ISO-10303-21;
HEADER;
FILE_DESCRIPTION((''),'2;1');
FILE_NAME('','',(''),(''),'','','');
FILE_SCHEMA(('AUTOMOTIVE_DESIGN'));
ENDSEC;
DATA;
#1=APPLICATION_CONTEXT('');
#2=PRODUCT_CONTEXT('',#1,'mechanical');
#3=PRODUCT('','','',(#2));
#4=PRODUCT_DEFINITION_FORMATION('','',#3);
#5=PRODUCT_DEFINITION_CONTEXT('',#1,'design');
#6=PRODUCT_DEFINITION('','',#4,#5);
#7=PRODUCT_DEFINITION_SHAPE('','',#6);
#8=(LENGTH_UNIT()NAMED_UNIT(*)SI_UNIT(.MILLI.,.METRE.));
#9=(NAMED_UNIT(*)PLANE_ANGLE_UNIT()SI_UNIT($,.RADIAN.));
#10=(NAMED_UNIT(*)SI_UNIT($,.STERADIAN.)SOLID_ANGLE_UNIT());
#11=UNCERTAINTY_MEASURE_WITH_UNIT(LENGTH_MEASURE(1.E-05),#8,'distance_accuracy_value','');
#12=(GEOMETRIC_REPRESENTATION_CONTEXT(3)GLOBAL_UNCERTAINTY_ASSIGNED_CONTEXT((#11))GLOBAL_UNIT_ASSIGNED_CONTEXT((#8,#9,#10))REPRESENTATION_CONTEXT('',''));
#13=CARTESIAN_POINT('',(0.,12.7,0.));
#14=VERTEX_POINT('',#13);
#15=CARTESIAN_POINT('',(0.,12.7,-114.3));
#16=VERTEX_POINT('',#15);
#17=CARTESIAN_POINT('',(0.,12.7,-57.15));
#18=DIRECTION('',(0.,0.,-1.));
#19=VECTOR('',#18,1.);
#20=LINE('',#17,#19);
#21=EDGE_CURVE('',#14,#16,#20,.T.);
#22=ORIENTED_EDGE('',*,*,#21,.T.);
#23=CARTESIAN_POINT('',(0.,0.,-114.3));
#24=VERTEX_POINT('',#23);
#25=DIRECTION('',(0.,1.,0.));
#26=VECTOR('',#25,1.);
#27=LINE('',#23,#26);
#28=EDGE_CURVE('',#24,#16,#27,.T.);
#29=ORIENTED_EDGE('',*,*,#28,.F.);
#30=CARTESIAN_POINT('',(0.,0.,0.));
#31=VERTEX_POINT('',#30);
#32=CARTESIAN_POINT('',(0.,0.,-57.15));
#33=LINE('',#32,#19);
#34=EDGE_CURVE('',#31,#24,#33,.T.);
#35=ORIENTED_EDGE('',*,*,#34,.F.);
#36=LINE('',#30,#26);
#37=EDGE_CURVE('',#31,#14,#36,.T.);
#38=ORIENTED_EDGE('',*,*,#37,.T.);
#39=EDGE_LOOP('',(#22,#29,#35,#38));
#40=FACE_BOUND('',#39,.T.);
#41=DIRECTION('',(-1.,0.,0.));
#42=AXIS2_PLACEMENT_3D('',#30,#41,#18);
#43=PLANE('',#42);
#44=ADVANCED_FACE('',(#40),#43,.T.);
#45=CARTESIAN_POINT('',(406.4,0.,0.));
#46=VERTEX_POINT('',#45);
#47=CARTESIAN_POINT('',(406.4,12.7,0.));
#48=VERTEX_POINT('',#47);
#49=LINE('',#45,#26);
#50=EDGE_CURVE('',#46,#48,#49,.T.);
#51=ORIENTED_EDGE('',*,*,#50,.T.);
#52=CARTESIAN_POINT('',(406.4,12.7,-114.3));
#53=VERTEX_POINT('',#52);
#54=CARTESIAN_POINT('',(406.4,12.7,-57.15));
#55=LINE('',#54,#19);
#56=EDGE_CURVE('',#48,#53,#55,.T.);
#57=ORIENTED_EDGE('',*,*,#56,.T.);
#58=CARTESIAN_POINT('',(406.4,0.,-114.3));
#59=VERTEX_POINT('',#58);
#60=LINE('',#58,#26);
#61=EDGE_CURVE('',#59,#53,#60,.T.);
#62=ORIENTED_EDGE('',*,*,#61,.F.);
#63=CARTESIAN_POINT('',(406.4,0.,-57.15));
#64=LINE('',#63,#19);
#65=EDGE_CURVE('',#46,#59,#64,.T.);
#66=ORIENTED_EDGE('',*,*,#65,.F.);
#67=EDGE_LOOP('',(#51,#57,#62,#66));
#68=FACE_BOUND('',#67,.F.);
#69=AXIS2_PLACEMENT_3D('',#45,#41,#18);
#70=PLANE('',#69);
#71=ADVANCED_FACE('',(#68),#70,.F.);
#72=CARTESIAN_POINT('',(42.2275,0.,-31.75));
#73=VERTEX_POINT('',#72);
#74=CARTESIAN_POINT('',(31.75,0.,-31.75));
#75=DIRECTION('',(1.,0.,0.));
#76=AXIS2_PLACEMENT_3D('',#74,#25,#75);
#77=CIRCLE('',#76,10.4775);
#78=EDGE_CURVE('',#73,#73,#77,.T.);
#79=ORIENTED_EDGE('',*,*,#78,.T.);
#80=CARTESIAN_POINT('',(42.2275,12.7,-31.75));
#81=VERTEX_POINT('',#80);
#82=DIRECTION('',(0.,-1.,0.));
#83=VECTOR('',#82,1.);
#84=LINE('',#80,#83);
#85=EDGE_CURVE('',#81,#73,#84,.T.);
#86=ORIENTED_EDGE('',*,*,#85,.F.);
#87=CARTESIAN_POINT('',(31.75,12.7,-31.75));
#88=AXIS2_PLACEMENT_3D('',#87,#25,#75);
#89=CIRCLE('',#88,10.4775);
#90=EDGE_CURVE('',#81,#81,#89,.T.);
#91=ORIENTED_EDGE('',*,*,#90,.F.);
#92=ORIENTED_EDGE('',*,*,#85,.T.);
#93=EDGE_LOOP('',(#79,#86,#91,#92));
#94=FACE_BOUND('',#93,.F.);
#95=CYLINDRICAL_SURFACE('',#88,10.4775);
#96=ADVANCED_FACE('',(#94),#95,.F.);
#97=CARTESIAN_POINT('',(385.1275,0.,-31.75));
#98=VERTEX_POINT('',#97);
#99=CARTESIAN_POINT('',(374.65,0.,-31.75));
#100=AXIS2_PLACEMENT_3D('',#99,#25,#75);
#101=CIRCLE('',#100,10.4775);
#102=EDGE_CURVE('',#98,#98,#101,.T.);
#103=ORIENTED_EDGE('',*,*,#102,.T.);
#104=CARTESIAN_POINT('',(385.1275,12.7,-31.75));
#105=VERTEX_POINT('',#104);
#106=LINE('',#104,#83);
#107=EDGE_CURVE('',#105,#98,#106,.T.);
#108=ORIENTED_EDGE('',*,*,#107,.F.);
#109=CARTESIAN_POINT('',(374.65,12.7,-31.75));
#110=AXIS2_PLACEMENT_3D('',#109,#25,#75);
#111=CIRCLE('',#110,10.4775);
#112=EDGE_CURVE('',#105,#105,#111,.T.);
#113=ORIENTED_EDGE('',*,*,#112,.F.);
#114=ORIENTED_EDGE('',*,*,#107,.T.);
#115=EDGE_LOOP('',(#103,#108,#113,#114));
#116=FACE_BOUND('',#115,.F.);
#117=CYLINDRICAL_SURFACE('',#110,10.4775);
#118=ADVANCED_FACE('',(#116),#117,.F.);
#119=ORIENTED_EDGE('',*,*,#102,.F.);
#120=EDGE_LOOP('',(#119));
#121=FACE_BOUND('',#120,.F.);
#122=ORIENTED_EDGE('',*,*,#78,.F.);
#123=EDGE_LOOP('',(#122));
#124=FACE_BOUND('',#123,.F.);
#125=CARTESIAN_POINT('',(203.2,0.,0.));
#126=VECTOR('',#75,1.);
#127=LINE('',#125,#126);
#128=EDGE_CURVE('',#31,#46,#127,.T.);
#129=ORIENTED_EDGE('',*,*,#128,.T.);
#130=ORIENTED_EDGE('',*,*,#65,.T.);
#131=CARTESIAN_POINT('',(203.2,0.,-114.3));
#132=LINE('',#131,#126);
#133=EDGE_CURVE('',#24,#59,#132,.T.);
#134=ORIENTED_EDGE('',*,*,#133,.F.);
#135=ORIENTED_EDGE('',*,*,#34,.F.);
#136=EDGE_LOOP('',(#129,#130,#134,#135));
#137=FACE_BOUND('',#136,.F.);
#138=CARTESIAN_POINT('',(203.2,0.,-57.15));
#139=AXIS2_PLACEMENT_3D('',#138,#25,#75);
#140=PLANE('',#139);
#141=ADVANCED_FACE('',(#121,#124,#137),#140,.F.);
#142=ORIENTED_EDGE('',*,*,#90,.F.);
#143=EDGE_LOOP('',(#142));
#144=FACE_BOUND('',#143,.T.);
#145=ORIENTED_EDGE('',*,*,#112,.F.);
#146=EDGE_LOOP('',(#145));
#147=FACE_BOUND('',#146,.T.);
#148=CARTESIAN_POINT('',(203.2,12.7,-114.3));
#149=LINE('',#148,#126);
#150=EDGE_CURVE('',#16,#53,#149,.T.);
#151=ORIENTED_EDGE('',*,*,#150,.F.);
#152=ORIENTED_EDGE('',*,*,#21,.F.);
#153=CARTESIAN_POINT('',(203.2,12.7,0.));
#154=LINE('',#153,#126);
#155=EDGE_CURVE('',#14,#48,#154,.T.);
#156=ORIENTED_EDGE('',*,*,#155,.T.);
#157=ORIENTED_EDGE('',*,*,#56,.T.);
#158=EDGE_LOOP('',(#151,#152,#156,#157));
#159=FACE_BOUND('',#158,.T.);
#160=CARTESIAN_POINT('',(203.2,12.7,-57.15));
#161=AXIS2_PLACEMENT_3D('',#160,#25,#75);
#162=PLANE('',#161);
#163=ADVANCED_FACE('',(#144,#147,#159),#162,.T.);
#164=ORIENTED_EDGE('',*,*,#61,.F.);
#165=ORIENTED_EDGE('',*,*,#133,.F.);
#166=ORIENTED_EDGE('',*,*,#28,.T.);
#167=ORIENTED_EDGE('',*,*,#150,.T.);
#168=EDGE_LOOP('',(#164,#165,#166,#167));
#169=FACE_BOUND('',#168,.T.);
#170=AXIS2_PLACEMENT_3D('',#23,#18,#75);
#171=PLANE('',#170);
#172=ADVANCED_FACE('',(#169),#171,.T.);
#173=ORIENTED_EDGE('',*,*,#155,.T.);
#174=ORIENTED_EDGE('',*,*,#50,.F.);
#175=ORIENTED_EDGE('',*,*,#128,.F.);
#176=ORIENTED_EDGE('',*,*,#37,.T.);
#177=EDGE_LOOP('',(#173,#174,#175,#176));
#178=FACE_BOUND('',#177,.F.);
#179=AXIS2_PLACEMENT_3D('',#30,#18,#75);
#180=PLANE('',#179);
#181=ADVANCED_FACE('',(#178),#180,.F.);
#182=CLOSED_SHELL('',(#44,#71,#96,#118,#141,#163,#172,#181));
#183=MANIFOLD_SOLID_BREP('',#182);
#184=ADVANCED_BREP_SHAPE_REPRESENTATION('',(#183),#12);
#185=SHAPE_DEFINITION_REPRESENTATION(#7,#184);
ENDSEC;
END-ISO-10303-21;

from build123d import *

# Parameters (mm, degrees)
SKETCH1_W           = 406.4
SKETCH1_H           = 114.3
BOSS_EXTRUDE1_DEPTH = 12.7
CUT_EXTRUDE1_REACH  = 14.7
SKETCH2_R           = 10.4775


with BuildPart() as part:
    # Sketch1 → Boss-Extrude1 (new body)
    with BuildSketch(Plane(origin=(0, 0, 0), x_dir=(1, 0, 0), z_dir=(0, 1, 0))):
        with Locations((203.2, 57.15)):
            Rectangle(SKETCH1_W, SKETCH1_H)
    extrude(amount=BOSS_EXTRUDE1_DEPTH)

    # Sketch2 → Cut-Extrude1 (cut, up to next)
    with BuildSketch(Plane(origin=(0, 12.7, 0), x_dir=(1, 0, 0), z_dir=(0, 1, 0)), mode=Mode.PRIVATE) as cut_extrude1_sk1:
        with Locations((31.75, 31.75)):
            Circle(SKETCH2_R)
    cut_extrude1_tool1 = extrude(cut_extrude1_sk1.sketch, amount=-CUT_EXTRUDE1_REACH, mode=Mode.PRIVATE) & part.part
    add(cut_extrude1_tool1.solids().sort_by_distance((31.75, 12.7, -31.75))[0], mode=Mode.SUBTRACT)
    # Sketch2 → Cut-Extrude1 (cut, up to next)
    with BuildSketch(Plane(origin=(0, 12.7, 0), x_dir=(1, 0, 0), z_dir=(0, 1, 0)), mode=Mode.PRIVATE) as cut_extrude1_sk2:
        with Locations((374.65, 31.75)):
            Circle(SKETCH2_R)
    cut_extrude1_tool2 = extrude(cut_extrude1_sk2.sketch, amount=-CUT_EXTRUDE1_REACH, mode=Mode.PRIVATE) & part.part
    add(cut_extrude1_tool2.solids().sort_by_distance((374.65, 12.7, -31.75))[0], mode=Mode.SUBTRACT)


solid = part.part
